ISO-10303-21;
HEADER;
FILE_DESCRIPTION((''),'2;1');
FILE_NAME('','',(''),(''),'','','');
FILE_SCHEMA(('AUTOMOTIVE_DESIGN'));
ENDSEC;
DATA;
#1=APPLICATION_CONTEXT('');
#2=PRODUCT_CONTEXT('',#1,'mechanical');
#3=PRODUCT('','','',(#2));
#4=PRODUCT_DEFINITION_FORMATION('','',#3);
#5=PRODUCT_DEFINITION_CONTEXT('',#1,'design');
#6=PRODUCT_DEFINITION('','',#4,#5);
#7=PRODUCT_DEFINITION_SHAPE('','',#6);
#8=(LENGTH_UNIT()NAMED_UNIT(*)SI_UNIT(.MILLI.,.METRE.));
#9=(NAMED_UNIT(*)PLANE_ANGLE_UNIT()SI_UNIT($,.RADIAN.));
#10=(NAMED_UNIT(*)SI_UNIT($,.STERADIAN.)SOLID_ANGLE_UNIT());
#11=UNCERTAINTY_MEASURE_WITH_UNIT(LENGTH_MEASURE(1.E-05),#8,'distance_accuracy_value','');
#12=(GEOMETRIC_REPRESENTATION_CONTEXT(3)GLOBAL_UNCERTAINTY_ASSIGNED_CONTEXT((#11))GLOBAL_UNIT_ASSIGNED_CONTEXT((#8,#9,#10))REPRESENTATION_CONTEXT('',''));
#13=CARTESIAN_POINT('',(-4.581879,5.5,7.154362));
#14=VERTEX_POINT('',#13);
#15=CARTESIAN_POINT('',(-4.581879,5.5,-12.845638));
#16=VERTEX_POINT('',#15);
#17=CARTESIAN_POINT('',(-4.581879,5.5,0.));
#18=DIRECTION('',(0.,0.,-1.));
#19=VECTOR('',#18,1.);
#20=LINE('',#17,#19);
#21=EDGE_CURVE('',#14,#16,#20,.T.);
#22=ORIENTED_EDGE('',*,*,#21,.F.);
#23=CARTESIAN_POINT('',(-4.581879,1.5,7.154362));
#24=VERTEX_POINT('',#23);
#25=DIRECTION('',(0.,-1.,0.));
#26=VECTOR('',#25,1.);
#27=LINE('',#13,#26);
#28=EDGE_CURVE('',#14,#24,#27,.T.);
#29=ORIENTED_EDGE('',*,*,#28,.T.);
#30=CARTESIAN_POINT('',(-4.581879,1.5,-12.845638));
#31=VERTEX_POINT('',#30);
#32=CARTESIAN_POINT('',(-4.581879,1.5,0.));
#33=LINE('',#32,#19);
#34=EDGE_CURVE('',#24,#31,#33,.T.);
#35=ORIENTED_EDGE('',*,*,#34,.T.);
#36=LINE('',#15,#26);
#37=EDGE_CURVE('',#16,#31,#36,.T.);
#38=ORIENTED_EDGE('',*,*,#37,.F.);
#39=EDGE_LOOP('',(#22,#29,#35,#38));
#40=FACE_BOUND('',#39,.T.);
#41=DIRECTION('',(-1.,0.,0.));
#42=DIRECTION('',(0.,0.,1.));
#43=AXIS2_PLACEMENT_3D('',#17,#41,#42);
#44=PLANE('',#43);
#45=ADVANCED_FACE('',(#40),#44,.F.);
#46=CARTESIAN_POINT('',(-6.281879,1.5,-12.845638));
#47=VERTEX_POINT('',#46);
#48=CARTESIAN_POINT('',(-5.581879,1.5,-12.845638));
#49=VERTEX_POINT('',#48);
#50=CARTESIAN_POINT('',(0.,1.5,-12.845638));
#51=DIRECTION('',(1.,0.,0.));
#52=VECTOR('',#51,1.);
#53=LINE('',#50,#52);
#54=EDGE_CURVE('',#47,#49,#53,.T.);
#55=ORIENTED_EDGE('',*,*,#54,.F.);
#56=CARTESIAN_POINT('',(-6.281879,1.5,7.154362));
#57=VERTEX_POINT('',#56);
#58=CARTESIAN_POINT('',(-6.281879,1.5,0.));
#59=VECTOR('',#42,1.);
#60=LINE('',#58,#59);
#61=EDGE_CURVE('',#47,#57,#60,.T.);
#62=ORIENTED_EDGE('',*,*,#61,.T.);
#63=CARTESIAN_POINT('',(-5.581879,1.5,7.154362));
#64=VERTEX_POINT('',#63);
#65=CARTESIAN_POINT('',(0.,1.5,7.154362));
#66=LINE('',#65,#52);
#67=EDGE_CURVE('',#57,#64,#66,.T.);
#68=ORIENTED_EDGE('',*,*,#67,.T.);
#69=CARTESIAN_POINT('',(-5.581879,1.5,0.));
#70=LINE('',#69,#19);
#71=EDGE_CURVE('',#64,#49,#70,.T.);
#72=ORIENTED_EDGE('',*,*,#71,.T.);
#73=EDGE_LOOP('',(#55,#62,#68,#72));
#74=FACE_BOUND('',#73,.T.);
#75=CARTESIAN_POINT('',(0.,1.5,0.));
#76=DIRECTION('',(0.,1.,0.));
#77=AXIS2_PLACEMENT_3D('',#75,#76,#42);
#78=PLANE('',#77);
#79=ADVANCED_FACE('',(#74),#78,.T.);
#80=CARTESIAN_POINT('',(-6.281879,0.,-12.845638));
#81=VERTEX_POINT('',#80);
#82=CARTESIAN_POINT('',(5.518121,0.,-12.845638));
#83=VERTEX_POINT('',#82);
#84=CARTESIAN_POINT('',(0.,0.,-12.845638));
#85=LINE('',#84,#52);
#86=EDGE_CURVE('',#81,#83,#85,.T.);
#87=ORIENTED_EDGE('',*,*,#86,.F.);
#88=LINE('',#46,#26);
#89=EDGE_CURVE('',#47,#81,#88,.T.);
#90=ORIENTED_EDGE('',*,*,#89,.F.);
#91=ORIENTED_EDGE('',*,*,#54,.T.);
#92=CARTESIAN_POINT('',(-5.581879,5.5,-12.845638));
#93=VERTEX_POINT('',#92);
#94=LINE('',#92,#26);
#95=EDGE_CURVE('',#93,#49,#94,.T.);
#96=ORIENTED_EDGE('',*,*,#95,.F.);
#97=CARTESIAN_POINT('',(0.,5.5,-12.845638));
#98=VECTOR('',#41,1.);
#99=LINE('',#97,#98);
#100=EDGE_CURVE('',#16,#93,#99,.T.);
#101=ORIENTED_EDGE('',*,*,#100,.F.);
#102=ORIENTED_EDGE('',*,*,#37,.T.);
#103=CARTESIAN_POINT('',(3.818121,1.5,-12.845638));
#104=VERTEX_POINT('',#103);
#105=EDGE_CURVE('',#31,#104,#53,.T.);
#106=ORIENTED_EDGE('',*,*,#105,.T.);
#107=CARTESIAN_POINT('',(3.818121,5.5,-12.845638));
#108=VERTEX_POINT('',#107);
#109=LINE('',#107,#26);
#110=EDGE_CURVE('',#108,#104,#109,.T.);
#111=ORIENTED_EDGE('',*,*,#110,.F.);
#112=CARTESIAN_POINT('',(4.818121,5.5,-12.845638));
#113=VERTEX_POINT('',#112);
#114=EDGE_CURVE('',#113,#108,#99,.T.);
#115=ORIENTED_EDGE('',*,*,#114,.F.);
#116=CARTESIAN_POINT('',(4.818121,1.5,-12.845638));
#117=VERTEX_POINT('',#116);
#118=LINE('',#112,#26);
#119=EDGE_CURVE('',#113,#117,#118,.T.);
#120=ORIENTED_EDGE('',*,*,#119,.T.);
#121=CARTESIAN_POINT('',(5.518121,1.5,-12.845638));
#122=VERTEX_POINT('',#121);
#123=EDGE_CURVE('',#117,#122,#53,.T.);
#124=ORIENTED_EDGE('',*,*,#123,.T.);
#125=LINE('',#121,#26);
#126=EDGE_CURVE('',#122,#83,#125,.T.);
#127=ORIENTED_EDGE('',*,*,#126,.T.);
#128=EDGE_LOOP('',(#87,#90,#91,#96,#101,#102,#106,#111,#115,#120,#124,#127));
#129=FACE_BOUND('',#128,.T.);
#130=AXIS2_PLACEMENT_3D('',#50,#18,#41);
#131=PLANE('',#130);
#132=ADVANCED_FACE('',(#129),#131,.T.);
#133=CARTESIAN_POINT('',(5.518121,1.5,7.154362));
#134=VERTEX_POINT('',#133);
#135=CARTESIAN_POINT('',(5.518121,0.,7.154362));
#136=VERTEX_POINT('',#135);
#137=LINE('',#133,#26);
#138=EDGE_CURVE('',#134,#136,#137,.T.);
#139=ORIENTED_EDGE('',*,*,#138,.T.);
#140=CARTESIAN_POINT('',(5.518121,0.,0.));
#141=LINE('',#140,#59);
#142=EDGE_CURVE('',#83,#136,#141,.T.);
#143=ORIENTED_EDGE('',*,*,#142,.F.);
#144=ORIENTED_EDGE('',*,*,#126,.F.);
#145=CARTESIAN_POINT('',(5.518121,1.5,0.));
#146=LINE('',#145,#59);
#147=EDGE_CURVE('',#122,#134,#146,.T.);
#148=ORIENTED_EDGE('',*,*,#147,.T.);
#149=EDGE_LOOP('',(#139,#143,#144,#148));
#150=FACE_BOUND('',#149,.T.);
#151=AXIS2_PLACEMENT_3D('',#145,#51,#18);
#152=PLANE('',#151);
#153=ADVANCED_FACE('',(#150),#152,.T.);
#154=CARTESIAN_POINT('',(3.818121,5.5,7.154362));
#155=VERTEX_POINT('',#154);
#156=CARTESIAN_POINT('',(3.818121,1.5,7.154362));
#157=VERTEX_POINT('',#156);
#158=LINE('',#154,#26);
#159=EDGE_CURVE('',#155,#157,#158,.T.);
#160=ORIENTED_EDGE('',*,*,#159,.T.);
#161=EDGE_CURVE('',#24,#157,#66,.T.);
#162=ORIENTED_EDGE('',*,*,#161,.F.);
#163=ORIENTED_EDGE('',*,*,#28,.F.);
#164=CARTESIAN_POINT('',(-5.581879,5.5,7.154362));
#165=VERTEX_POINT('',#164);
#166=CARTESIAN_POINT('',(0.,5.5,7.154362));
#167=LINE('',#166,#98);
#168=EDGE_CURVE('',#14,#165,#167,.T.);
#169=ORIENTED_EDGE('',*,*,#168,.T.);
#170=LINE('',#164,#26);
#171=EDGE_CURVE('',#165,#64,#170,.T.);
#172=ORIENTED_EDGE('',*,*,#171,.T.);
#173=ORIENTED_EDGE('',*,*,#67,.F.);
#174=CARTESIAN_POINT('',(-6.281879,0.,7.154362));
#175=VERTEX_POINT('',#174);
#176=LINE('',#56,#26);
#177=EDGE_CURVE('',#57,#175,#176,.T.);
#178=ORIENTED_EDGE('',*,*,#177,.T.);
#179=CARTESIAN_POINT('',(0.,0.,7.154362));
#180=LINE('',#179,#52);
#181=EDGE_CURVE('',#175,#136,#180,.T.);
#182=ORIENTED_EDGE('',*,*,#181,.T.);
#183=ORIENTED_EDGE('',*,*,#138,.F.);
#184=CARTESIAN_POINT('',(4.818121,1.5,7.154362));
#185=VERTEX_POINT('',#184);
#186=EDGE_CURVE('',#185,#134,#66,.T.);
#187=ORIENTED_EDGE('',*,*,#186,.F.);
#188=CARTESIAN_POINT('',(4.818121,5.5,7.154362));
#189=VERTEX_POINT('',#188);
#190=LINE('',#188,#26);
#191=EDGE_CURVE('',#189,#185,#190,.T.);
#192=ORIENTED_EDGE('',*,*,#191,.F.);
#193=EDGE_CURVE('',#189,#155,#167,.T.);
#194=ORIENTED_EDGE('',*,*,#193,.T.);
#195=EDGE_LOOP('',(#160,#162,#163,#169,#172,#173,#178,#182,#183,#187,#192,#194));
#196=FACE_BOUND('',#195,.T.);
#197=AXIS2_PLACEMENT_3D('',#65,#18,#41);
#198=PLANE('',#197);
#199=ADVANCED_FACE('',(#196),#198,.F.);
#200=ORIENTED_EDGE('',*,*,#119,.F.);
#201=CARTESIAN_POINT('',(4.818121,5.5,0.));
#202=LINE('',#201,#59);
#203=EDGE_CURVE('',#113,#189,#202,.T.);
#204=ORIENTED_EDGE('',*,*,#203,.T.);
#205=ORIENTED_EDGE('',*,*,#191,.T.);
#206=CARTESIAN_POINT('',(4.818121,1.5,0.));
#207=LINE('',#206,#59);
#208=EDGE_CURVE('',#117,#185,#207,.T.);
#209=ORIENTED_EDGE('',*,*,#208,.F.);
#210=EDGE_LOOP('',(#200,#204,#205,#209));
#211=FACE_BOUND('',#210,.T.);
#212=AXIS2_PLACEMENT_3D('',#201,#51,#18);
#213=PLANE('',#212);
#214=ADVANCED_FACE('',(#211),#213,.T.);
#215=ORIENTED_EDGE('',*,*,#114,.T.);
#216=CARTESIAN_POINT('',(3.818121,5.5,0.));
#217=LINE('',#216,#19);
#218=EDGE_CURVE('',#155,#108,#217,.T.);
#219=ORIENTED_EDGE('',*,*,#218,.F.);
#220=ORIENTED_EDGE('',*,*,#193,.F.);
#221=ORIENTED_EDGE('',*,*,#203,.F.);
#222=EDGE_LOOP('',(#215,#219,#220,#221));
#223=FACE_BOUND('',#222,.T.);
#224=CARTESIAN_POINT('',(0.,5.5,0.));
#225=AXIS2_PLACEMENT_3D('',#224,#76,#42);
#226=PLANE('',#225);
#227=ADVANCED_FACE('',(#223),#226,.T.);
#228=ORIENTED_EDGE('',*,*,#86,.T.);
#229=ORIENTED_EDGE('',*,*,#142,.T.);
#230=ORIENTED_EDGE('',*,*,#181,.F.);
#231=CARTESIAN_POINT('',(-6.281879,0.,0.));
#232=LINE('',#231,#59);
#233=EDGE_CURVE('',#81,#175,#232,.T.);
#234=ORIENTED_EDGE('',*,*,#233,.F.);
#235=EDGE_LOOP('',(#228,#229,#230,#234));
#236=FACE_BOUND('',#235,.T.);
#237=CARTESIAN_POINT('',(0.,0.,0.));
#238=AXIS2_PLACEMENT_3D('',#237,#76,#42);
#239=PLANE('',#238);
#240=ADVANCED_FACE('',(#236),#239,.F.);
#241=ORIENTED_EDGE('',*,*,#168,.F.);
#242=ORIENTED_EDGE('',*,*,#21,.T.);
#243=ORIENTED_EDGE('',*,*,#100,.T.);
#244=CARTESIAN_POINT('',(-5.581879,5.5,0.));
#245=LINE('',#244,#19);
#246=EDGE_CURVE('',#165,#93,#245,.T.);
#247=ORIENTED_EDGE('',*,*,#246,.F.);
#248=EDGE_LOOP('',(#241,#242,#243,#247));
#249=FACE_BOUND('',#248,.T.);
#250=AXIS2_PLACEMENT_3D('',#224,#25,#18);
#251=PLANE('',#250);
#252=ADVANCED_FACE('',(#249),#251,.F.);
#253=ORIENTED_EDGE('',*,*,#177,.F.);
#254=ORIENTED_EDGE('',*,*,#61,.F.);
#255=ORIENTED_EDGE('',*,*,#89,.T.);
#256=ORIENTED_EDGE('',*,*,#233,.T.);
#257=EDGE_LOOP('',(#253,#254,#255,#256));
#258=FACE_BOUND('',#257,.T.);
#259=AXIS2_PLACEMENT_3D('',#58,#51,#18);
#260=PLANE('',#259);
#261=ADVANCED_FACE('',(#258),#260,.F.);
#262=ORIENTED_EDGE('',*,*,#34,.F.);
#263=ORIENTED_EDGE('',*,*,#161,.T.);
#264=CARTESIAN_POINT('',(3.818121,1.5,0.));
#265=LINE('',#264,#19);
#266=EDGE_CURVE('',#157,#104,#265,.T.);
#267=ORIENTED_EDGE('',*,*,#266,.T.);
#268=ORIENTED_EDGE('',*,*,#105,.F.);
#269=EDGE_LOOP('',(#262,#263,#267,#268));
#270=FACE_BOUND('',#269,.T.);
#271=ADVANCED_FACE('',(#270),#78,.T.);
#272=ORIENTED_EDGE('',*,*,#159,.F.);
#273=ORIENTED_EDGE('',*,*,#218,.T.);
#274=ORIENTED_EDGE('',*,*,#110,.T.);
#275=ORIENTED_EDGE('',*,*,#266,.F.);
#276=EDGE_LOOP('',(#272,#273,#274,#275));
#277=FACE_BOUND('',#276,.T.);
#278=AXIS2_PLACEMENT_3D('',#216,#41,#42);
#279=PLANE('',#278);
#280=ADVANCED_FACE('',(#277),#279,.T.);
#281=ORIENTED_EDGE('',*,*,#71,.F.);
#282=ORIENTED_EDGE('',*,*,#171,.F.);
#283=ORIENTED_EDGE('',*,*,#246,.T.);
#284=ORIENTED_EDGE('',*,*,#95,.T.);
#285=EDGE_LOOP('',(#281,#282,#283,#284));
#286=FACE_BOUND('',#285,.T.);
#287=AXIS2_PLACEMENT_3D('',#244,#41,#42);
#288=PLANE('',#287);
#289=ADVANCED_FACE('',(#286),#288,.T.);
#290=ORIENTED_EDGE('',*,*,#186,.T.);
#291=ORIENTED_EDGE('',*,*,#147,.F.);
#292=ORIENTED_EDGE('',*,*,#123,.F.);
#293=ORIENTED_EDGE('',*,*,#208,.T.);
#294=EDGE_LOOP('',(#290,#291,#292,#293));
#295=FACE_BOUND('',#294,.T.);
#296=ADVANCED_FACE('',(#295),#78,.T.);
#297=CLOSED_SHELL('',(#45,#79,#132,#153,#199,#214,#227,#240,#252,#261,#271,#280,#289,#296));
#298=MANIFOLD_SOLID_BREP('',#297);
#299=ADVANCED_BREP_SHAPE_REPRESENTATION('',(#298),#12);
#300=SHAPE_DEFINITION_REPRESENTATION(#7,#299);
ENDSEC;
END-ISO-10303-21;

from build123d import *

# Parameters (mm, degrees)
SKETCH1_W           = 0.7
SKETCH1_H           = 20
SKETCH1_W_2         = 1
SKETCH1_W_3         = 8.4
BOSS_EXTRUDE1_DEPTH = 1.5
BOSS_EXTRUDE2_START = 1.5
SKETCH1_3_W         = 1
SKETCH1_3_H         = 20
BOSS_EXTRUDE2_DEPTH = 4


with BuildPart() as part:
    # Sketch1 → Boss-Extrude1 (new body)
    with BuildSketch(Plane(origin=(0, 0, 0), x_dir=(1, 0, 0), z_dir=(0, 1, 0))):
        with Locations((-5.931879195, 2.845637584)):
            Rectangle(SKETCH1_W, SKETCH1_H)
        with Locations((-5.081879195, 2.845637584)):
            Rectangle(SKETCH1_W_2, SKETCH1_H)
        with Locations((-0.381879195, 2.845637584)):
            Rectangle(SKETCH1_W_3, SKETCH1_H)
        with Locations((4.318120805, 2.845637584)):
            Rectangle(SKETCH1_W_2, SKETCH1_H)
        with Locations((5.168120805, 2.845637584)):
            Rectangle(SKETCH1_W, SKETCH1_H)
    extrude(amount=BOSS_EXTRUDE1_DEPTH)

    # Sketch1<3> → Boss-Extrude2 (add)
    with BuildSketch(Plane(origin=(0, 0, 0), x_dir=(1, 0, 0), z_dir=(0, 1, 0)).offset(BOSS_EXTRUDE2_START)):
        with Locations((-5.081879195, 2.845637584)):
            Rectangle(SKETCH1_3_W, SKETCH1_3_H)
        with Locations((4.318120805, 2.845637584)):
            Rectangle(SKETCH1_3_W, SKETCH1_3_H)
    extrude(amount=BOSS_EXTRUDE2_DEPTH)


solid = part.part
